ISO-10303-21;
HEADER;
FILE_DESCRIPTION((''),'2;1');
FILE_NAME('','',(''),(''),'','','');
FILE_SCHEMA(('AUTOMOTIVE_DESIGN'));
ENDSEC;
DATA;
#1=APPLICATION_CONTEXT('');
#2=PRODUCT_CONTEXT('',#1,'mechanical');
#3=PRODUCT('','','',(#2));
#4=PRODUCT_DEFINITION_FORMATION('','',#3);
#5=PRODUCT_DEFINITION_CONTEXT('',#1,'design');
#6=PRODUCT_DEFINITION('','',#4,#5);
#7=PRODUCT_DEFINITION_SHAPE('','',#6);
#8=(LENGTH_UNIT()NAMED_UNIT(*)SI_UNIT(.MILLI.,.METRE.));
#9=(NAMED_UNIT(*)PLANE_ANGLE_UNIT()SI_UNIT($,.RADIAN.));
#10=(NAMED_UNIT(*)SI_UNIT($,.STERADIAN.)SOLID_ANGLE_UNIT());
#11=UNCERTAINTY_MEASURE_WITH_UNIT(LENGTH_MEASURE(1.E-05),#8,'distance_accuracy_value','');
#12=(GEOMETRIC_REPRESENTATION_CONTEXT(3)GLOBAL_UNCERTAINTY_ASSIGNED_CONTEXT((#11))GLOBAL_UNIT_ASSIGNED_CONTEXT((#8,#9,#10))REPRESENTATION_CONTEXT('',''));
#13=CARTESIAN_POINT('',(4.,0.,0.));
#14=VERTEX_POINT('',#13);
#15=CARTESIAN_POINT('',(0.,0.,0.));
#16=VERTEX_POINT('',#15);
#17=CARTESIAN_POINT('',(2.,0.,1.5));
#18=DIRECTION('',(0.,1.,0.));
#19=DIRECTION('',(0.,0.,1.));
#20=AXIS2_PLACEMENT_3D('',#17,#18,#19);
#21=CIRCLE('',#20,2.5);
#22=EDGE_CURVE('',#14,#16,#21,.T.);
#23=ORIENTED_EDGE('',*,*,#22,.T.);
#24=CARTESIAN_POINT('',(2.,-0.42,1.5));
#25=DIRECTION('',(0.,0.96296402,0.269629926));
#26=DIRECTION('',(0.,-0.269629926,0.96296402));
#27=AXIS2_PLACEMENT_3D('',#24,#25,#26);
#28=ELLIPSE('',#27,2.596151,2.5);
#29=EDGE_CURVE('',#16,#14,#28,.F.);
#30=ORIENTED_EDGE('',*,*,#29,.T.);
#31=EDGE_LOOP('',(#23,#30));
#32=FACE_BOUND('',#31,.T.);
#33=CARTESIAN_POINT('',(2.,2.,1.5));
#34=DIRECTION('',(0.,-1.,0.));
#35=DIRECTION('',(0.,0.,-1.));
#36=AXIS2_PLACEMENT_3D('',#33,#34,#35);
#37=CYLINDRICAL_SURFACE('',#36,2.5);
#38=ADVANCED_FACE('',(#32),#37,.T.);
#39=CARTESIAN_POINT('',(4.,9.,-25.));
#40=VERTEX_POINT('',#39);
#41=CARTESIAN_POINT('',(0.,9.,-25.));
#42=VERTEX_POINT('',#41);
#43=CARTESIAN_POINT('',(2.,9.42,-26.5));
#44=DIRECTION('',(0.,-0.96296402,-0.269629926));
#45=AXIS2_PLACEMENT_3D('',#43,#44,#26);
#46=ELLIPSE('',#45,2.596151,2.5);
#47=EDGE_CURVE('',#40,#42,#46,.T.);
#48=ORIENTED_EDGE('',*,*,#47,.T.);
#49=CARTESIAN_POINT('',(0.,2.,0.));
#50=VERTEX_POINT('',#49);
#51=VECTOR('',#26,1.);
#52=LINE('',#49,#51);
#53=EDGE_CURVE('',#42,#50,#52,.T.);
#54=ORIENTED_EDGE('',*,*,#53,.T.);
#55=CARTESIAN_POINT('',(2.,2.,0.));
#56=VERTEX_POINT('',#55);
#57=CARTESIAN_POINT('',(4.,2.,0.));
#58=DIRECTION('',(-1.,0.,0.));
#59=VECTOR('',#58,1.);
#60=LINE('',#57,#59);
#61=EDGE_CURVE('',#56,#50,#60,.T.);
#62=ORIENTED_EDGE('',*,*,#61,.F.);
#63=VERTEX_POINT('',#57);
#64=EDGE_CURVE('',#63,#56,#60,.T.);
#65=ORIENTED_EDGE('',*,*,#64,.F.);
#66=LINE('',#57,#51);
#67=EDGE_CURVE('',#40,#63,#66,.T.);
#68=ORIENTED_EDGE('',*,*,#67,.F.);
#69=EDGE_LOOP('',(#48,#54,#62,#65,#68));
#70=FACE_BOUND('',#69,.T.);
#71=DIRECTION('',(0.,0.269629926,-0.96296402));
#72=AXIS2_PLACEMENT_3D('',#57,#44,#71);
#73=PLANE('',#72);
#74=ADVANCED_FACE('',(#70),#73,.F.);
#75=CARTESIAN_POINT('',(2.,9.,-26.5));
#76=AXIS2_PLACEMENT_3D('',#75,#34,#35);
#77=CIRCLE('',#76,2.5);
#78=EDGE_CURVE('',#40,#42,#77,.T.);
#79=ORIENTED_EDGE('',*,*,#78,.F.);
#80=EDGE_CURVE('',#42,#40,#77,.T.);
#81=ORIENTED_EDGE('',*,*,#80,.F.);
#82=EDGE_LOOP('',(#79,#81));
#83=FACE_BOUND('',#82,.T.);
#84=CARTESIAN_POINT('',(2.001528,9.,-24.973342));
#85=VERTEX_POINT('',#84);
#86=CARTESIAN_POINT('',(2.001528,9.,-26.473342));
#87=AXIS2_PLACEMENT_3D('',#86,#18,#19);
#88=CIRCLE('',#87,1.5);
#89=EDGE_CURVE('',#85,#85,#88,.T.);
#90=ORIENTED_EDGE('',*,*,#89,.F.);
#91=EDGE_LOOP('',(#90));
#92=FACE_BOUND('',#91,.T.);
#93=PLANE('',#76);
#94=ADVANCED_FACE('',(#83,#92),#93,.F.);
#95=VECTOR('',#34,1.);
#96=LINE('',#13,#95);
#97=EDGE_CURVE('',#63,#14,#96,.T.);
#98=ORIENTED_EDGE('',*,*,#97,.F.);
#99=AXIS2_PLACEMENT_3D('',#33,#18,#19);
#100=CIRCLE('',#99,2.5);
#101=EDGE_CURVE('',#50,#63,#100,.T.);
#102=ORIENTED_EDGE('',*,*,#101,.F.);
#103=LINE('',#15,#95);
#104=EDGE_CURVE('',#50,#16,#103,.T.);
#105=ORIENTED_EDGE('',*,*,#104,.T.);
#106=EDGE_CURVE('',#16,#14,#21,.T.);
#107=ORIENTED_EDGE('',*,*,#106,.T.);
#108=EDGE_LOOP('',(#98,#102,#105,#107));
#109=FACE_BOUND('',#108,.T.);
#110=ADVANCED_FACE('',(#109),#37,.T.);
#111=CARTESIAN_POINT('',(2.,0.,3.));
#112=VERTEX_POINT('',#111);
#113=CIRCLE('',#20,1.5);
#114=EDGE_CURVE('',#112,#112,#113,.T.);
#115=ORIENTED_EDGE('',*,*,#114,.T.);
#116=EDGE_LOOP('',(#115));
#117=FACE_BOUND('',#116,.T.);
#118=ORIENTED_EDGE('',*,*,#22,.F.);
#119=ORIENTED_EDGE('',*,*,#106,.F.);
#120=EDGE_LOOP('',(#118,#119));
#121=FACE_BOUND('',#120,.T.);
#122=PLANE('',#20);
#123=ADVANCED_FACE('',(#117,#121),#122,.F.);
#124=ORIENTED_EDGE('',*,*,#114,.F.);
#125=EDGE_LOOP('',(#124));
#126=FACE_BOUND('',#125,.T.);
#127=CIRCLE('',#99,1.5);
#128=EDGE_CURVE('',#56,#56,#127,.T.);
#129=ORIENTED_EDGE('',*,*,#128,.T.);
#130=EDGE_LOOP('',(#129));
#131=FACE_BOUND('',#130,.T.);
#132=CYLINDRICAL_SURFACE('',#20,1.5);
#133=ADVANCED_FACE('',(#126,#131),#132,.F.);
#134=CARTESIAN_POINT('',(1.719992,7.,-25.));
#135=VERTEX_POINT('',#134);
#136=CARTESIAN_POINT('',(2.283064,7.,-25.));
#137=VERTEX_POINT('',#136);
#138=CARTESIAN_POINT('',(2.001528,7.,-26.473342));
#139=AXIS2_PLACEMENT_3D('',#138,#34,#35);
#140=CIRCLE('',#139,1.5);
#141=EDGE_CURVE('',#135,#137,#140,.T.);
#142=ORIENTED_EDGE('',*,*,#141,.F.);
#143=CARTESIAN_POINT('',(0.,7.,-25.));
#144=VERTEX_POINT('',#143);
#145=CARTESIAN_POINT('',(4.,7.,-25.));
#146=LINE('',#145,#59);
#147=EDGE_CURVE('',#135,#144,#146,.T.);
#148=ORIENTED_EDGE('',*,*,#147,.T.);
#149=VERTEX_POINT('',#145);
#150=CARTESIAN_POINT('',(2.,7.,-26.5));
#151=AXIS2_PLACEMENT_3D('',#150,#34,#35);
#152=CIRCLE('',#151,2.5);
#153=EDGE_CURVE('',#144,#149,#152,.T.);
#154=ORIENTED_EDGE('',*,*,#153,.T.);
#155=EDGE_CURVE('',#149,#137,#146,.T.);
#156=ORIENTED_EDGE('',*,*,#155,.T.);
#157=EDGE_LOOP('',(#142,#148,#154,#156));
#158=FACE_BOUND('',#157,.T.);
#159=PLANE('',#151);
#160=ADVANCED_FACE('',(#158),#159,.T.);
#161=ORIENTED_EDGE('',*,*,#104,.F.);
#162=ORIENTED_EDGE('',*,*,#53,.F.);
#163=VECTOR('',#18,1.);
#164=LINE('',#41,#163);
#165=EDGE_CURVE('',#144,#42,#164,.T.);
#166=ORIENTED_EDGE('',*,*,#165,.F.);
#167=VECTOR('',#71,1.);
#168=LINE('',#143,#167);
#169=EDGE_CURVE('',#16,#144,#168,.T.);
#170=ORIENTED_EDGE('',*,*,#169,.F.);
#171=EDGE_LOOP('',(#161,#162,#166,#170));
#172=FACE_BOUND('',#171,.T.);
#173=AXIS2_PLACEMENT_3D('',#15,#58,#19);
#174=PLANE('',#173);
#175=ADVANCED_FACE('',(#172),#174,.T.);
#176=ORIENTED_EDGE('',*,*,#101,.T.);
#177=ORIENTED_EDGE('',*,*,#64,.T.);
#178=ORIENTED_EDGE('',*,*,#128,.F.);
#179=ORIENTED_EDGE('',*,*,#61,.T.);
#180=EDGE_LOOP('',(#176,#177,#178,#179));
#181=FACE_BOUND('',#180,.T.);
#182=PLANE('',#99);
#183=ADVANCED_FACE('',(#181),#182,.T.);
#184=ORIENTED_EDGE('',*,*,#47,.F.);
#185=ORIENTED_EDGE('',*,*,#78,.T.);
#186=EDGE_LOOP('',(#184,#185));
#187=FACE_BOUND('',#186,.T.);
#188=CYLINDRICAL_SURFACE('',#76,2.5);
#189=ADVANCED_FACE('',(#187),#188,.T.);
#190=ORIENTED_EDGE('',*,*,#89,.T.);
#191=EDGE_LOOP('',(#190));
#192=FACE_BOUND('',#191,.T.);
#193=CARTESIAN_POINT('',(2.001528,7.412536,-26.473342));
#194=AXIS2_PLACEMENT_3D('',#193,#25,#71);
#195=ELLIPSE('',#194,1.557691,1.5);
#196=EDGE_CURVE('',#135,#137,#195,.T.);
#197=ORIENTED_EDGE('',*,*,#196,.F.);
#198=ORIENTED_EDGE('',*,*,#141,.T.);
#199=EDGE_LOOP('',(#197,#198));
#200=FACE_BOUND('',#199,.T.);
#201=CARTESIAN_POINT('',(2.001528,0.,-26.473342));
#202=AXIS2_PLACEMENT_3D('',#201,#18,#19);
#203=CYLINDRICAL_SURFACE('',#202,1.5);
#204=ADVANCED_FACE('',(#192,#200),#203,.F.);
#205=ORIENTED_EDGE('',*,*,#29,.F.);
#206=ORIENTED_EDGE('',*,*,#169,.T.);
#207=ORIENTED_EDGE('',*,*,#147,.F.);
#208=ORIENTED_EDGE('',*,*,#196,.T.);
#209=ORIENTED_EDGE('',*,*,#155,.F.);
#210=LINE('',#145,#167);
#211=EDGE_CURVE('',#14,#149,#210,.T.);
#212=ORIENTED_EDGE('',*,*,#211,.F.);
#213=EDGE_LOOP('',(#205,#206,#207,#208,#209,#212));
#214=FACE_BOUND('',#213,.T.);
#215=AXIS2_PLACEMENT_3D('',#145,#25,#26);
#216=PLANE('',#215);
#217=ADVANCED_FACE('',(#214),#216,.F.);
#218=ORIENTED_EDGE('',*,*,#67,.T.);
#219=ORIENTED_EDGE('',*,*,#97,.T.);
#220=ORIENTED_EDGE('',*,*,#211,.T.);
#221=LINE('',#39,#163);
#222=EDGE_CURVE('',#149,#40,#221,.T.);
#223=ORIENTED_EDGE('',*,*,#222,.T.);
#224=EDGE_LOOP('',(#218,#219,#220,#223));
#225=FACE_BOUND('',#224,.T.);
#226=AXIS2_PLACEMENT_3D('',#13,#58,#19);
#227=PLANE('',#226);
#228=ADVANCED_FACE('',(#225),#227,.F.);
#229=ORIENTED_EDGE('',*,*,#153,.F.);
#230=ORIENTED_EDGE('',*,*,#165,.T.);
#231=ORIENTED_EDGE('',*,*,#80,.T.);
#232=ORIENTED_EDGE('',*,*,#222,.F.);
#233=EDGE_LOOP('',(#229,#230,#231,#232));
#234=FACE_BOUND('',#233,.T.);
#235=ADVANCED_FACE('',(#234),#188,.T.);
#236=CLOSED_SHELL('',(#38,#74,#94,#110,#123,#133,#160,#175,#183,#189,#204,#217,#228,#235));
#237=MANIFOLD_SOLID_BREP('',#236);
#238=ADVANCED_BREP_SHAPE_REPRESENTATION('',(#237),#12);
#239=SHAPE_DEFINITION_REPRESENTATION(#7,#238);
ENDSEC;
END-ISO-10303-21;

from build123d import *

# Parameters (mm, degrees)
BOSS_EXTRUDE1_DEPTH = 4
SKETCH2_R           = 2.5
BOSS_EXTRUDE2_DEPTH = 2
SKETCH3_R           = 2.5
BOSS_EXTRUDE3_DEPTH = 2
SKETCH4_R           = 1.5
CUT_EXTRUDE1_DEPTH  = 31.170349683
SKETCH5_R           = 1.5
CUT_EXTRUDE2_DEPTH  = 31.696090956


with BuildPart() as part:
    # Sketch1 → Boss-Extrude1 (new body)
    with BuildSketch(Plane(origin=(0, 0, 0), x_dir=(0, 0, -1), z_dir=(1, 0, 0))):
        Polygon((0, 0), (0, 2), (25, 9), (25, 7), align=None)
    extrude(amount=BOSS_EXTRUDE1_DEPTH)

    # Sketch2 → Boss-Extrude2 (add)
    with BuildSketch(Plane(origin=(0, 0, 0), x_dir=(1, 0, 0), z_dir=(0, 1, 0))):
        with Locations((2, -1.5)):
            Circle(SKETCH2_R)
    extrude(amount=BOSS_EXTRUDE2_DEPTH)

    # Sketch3 → Boss-Extrude3 (add)
    with BuildSketch(Plane(origin=(0, 7, 0), x_dir=(-1, 0, 0), z_dir=(0, -1, 0))):
        with Locations((-2, 26.5)):
            Circle(SKETCH3_R)
    extrude(amount=-BOSS_EXTRUDE3_DEPTH)

    # Sketch4 → Cut-Extrude1 (cut, through all)
    with BuildSketch(Plane(origin=(0, 2, 0), x_dir=(1, 0, 0), z_dir=(0, 1, 0))):
        with Locations(Location((2, -1.5, 0), (0, 0, 270))):
            Circle(SKETCH4_R)
    extrude(amount=-CUT_EXTRUDE1_DEPTH, mode=Mode.SUBTRACT)

    # Sketch5 → Cut-Extrude2 (cut, through all)
    with BuildSketch(Plane(origin=(0, 9, 0), x_dir=(1, 0, 0), z_dir=(0, 1, 0))):
        with Locations(Location((2.001528026, 26.473342357, 0), (0, 0, 270))):
            Circle(SKETCH5_R)
    extrude(amount=-CUT_EXTRUDE2_DEPTH, mode=Mode.SUBTRACT)


solid = part.part
